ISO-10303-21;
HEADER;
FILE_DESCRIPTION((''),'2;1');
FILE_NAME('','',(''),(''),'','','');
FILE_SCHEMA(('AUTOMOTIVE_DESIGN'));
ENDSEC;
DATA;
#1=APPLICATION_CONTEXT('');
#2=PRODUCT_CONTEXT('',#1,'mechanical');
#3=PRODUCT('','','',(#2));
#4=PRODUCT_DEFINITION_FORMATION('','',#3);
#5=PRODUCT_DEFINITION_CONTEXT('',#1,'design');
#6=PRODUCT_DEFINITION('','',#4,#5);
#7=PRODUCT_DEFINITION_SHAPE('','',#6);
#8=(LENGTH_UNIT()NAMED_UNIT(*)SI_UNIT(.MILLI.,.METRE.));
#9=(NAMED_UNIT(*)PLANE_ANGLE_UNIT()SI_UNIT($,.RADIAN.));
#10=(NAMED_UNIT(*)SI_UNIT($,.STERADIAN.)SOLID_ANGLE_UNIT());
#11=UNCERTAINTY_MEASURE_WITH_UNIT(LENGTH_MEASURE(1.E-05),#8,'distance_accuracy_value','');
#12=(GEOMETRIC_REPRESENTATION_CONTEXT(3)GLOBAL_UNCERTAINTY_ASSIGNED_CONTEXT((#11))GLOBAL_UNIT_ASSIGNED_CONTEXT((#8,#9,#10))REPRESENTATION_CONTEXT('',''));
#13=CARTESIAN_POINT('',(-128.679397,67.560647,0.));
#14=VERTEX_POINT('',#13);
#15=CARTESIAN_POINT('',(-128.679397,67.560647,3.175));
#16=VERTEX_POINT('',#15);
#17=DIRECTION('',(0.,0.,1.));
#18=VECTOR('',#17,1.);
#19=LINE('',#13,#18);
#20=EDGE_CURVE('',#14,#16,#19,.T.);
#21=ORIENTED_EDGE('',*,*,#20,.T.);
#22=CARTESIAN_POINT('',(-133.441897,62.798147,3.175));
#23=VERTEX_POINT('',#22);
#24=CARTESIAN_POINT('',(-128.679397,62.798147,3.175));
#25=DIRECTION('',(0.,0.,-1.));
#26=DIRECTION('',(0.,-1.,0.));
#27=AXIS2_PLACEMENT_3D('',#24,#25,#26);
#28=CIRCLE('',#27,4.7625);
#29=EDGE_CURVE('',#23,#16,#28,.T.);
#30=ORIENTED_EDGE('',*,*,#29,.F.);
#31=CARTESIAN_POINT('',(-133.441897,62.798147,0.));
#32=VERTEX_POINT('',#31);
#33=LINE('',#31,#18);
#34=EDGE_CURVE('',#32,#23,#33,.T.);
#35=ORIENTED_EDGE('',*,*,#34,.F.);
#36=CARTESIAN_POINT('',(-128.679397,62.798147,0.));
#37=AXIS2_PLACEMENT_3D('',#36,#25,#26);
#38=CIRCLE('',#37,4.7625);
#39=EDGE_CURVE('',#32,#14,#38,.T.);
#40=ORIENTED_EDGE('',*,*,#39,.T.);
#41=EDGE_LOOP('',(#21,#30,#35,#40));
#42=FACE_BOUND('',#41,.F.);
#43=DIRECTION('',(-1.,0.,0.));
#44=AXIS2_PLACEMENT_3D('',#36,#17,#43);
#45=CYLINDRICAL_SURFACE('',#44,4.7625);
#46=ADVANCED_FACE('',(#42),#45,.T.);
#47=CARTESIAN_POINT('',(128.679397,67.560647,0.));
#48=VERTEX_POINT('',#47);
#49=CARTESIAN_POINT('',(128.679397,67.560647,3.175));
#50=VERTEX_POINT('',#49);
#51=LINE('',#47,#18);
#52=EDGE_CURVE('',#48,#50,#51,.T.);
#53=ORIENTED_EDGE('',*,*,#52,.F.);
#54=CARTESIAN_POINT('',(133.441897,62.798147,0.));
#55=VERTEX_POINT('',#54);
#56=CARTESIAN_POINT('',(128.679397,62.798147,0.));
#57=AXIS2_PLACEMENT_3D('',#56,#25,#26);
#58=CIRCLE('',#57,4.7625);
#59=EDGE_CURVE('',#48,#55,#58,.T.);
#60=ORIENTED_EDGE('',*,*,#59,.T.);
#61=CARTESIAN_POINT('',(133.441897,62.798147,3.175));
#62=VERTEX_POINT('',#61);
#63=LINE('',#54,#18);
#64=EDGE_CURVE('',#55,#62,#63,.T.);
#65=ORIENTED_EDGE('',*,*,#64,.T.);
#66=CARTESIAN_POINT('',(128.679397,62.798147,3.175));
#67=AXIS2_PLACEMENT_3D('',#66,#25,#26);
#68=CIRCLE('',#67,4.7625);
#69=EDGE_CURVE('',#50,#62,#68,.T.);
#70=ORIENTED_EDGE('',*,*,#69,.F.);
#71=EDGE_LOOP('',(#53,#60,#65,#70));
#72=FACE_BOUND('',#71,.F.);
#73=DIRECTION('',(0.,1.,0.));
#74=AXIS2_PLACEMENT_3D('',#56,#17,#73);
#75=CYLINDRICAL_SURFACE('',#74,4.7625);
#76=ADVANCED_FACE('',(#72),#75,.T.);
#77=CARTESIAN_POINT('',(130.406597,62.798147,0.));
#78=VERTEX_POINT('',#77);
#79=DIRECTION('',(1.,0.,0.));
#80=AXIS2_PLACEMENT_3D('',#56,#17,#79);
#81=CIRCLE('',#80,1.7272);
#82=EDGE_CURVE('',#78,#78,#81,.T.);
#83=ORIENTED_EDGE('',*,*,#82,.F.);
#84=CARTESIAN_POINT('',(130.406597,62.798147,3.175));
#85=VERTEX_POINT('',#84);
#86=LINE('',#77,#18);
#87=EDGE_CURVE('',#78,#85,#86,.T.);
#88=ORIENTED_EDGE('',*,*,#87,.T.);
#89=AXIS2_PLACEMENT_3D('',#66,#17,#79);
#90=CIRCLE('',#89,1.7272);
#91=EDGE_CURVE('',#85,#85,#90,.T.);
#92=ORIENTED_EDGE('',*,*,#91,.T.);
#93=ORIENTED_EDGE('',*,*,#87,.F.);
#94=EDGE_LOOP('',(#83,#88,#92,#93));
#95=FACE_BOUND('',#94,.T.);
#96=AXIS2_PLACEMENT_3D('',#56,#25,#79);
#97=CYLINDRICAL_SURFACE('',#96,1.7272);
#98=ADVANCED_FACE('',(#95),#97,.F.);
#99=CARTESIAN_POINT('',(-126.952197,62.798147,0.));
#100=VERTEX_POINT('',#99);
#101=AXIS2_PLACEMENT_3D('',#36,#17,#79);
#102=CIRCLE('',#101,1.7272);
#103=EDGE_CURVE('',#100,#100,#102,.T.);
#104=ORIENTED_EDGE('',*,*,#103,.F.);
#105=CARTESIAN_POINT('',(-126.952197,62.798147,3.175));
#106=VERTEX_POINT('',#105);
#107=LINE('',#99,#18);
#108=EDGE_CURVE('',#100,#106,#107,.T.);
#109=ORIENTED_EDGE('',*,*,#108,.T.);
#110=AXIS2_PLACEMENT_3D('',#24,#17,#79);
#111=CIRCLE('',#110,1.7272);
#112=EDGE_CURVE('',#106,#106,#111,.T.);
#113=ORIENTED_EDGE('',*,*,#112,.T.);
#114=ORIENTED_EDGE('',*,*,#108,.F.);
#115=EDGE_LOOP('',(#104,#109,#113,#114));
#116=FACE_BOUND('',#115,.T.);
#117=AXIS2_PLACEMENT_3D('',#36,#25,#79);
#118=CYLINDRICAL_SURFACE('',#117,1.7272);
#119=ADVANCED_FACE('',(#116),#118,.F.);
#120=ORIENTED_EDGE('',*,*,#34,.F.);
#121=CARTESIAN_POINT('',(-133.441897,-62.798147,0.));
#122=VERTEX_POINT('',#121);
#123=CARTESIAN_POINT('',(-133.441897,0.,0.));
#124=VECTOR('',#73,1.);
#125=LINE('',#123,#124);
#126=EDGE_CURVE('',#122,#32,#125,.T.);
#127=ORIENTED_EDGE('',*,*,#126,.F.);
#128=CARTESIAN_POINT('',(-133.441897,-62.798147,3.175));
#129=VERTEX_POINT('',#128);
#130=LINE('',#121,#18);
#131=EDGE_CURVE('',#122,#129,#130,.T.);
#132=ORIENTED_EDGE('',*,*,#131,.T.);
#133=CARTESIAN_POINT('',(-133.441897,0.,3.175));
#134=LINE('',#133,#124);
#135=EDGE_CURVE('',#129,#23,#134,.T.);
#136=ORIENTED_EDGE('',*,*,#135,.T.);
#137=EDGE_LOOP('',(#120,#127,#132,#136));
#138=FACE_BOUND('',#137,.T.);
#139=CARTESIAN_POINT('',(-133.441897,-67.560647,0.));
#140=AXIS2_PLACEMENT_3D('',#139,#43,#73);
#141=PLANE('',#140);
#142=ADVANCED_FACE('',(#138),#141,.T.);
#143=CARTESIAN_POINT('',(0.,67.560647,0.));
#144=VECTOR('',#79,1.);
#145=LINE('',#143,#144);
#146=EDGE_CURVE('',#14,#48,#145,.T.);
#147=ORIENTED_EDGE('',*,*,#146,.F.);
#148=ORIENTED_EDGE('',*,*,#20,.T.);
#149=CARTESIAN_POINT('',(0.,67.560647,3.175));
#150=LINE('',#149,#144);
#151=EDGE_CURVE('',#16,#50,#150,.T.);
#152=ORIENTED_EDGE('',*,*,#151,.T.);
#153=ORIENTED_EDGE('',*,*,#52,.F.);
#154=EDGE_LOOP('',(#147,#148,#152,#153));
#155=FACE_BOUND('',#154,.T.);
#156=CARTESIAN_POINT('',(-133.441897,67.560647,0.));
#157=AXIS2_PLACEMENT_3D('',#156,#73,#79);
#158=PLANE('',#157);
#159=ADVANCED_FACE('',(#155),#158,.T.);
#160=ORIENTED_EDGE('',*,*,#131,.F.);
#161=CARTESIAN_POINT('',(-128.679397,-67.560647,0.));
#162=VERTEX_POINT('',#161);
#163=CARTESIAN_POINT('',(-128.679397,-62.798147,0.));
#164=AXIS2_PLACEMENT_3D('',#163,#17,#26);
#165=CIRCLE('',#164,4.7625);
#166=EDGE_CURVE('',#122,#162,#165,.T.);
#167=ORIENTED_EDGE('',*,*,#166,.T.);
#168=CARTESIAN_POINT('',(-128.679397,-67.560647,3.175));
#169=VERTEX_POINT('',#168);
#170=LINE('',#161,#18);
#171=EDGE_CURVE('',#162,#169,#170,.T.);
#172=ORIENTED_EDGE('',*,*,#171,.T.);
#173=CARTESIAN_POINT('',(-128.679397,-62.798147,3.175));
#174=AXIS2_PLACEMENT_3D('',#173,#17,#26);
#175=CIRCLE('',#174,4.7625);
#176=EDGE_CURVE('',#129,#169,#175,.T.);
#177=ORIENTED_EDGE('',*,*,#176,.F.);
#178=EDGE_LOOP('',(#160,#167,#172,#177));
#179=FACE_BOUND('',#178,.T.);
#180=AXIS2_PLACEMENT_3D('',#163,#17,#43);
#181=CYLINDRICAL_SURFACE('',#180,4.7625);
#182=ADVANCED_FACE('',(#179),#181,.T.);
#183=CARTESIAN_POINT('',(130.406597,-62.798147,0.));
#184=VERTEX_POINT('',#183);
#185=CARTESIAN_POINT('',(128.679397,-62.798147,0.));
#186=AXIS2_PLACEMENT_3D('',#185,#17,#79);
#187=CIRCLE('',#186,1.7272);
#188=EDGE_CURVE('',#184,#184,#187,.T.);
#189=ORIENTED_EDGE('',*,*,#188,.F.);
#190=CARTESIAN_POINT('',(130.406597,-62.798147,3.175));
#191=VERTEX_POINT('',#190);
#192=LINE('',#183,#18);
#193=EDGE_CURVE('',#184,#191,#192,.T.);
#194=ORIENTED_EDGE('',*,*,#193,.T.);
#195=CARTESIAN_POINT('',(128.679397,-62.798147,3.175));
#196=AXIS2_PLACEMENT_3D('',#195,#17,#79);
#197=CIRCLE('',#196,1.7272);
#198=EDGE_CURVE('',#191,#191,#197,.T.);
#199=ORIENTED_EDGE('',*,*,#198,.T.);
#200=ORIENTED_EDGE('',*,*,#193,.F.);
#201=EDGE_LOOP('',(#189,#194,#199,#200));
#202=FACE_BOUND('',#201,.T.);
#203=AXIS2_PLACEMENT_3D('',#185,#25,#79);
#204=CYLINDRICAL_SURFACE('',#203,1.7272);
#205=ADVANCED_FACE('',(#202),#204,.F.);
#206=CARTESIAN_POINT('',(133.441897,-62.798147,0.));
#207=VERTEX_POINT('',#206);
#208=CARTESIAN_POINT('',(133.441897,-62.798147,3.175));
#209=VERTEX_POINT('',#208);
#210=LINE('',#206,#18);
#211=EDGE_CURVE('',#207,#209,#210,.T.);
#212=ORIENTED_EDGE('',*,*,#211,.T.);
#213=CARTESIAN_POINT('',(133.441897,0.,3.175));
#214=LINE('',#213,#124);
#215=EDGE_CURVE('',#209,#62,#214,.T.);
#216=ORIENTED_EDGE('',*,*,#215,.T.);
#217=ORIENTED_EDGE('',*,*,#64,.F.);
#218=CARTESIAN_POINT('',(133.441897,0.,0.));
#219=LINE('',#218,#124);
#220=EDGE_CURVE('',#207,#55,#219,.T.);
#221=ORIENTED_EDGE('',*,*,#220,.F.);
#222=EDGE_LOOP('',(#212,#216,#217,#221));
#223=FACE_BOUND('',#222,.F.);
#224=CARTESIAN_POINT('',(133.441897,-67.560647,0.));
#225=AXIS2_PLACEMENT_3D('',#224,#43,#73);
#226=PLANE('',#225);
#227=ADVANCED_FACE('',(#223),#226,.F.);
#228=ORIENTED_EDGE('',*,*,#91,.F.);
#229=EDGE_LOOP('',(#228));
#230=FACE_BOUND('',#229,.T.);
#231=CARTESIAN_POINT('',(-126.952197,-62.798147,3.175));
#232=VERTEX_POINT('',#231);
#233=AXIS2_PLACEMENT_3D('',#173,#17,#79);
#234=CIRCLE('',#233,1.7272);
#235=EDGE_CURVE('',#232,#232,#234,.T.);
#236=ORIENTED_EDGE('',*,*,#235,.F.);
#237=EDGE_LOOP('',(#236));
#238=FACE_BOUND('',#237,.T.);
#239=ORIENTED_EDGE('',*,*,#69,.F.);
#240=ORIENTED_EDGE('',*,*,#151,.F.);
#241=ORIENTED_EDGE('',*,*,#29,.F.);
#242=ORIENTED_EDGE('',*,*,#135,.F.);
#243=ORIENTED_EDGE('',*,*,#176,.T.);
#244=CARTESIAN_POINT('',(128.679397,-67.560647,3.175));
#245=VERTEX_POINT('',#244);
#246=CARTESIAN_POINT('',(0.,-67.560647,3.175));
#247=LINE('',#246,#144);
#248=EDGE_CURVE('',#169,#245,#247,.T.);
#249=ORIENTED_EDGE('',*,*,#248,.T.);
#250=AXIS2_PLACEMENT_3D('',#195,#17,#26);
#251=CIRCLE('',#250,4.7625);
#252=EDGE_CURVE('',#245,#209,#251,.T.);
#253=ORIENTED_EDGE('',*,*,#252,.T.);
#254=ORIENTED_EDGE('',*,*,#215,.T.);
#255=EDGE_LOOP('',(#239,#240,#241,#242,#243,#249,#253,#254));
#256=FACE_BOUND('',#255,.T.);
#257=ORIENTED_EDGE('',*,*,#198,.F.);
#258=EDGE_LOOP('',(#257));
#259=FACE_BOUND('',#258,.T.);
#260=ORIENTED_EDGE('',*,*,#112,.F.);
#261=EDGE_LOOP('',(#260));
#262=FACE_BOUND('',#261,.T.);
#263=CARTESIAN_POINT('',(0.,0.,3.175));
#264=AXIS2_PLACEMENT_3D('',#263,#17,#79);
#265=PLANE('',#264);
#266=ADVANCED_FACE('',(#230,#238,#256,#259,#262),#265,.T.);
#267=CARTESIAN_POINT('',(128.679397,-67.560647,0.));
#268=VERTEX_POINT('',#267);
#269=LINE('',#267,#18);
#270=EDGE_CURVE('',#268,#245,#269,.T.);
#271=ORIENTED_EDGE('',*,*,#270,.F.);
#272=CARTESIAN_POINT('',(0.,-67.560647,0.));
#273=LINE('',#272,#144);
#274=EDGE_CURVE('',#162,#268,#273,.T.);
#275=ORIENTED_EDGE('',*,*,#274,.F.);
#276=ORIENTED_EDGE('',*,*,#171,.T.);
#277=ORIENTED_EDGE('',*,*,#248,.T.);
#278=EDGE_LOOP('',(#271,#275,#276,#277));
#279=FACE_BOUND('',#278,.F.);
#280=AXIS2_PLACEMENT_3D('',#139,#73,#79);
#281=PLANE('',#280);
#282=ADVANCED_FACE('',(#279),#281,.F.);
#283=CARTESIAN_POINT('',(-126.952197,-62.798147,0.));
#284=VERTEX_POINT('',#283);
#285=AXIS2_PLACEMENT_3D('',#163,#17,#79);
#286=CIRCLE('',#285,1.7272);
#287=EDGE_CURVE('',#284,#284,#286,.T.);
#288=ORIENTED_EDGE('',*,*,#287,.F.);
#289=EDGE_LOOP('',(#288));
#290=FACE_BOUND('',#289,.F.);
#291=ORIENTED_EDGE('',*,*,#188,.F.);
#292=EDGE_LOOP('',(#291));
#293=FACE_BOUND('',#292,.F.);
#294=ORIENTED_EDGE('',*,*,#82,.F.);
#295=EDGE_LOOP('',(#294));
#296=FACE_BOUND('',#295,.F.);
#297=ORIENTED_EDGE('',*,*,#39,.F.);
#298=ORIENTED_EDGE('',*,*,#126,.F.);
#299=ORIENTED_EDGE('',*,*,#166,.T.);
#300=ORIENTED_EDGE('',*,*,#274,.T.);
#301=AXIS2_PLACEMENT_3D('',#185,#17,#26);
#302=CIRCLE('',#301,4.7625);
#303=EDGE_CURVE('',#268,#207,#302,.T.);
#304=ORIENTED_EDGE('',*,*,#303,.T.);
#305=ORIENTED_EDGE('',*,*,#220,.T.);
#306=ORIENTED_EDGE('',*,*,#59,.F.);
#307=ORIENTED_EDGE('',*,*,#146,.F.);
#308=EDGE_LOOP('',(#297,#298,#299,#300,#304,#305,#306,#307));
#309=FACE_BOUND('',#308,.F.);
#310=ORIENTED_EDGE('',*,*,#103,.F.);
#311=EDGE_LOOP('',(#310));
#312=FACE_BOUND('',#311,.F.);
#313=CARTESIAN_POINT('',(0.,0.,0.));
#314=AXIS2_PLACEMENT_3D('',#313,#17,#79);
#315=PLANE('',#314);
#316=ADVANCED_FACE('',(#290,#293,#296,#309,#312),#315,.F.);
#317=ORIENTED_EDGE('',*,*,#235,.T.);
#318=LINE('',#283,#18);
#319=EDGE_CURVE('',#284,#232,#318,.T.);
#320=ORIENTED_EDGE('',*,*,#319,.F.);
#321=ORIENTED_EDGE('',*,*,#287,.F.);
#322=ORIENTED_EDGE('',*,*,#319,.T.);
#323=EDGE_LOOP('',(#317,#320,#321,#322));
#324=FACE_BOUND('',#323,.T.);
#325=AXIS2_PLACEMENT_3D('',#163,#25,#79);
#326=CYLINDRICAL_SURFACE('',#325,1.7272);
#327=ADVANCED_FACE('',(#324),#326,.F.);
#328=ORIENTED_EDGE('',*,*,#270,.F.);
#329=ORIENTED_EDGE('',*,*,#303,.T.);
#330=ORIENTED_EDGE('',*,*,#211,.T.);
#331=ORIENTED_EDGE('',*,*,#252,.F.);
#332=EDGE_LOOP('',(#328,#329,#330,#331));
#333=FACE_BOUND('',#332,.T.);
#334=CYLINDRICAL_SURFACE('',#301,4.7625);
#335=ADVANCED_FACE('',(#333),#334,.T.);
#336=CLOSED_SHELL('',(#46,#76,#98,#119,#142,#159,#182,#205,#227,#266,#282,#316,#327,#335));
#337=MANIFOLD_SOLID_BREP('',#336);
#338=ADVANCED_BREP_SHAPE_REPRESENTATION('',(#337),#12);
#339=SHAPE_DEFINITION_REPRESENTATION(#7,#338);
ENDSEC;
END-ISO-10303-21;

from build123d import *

# Parameters (mm, degrees)
F0_W     = 266.883794
F0_H     = 135.121294
F0_R     = 1.7272
F1_DEPTH = 3.175
F2_R     = 4.7625


with BuildPart() as f1:
    # F0 (on Top) → F1 (new body)
    with BuildSketch(Plane.XY):
        Rectangle(F0_W, F0_H)
        with Locations((-128.679397, -62.798147)):
            Circle(F0_R, mode=Mode.SUBTRACT)
        with Locations((128.679397, -62.798147)):
            Circle(F0_R, mode=Mode.SUBTRACT)
        with Locations((-128.679397, 62.798147)):
            Circle(F0_R, mode=Mode.SUBTRACT)
        with Locations((128.679397, 62.798147)):
            Circle(F0_R, mode=Mode.SUBTRACT)
    extrude(amount=F1_DEPTH)

    # F2
    f2_edges = [f1.edges().sort_by_distance(p)[0] for p in [
        (133.441897, -67.560647, 1.5875),
        (133.441897, 67.560647, 1.5875),
        (-133.441897, -67.560647, 1.5875),
        (-133.441897, 67.560647, 1.5875),
    ]]
    fillet(f2_edges, radius=F2_R)


solid = f1.part
